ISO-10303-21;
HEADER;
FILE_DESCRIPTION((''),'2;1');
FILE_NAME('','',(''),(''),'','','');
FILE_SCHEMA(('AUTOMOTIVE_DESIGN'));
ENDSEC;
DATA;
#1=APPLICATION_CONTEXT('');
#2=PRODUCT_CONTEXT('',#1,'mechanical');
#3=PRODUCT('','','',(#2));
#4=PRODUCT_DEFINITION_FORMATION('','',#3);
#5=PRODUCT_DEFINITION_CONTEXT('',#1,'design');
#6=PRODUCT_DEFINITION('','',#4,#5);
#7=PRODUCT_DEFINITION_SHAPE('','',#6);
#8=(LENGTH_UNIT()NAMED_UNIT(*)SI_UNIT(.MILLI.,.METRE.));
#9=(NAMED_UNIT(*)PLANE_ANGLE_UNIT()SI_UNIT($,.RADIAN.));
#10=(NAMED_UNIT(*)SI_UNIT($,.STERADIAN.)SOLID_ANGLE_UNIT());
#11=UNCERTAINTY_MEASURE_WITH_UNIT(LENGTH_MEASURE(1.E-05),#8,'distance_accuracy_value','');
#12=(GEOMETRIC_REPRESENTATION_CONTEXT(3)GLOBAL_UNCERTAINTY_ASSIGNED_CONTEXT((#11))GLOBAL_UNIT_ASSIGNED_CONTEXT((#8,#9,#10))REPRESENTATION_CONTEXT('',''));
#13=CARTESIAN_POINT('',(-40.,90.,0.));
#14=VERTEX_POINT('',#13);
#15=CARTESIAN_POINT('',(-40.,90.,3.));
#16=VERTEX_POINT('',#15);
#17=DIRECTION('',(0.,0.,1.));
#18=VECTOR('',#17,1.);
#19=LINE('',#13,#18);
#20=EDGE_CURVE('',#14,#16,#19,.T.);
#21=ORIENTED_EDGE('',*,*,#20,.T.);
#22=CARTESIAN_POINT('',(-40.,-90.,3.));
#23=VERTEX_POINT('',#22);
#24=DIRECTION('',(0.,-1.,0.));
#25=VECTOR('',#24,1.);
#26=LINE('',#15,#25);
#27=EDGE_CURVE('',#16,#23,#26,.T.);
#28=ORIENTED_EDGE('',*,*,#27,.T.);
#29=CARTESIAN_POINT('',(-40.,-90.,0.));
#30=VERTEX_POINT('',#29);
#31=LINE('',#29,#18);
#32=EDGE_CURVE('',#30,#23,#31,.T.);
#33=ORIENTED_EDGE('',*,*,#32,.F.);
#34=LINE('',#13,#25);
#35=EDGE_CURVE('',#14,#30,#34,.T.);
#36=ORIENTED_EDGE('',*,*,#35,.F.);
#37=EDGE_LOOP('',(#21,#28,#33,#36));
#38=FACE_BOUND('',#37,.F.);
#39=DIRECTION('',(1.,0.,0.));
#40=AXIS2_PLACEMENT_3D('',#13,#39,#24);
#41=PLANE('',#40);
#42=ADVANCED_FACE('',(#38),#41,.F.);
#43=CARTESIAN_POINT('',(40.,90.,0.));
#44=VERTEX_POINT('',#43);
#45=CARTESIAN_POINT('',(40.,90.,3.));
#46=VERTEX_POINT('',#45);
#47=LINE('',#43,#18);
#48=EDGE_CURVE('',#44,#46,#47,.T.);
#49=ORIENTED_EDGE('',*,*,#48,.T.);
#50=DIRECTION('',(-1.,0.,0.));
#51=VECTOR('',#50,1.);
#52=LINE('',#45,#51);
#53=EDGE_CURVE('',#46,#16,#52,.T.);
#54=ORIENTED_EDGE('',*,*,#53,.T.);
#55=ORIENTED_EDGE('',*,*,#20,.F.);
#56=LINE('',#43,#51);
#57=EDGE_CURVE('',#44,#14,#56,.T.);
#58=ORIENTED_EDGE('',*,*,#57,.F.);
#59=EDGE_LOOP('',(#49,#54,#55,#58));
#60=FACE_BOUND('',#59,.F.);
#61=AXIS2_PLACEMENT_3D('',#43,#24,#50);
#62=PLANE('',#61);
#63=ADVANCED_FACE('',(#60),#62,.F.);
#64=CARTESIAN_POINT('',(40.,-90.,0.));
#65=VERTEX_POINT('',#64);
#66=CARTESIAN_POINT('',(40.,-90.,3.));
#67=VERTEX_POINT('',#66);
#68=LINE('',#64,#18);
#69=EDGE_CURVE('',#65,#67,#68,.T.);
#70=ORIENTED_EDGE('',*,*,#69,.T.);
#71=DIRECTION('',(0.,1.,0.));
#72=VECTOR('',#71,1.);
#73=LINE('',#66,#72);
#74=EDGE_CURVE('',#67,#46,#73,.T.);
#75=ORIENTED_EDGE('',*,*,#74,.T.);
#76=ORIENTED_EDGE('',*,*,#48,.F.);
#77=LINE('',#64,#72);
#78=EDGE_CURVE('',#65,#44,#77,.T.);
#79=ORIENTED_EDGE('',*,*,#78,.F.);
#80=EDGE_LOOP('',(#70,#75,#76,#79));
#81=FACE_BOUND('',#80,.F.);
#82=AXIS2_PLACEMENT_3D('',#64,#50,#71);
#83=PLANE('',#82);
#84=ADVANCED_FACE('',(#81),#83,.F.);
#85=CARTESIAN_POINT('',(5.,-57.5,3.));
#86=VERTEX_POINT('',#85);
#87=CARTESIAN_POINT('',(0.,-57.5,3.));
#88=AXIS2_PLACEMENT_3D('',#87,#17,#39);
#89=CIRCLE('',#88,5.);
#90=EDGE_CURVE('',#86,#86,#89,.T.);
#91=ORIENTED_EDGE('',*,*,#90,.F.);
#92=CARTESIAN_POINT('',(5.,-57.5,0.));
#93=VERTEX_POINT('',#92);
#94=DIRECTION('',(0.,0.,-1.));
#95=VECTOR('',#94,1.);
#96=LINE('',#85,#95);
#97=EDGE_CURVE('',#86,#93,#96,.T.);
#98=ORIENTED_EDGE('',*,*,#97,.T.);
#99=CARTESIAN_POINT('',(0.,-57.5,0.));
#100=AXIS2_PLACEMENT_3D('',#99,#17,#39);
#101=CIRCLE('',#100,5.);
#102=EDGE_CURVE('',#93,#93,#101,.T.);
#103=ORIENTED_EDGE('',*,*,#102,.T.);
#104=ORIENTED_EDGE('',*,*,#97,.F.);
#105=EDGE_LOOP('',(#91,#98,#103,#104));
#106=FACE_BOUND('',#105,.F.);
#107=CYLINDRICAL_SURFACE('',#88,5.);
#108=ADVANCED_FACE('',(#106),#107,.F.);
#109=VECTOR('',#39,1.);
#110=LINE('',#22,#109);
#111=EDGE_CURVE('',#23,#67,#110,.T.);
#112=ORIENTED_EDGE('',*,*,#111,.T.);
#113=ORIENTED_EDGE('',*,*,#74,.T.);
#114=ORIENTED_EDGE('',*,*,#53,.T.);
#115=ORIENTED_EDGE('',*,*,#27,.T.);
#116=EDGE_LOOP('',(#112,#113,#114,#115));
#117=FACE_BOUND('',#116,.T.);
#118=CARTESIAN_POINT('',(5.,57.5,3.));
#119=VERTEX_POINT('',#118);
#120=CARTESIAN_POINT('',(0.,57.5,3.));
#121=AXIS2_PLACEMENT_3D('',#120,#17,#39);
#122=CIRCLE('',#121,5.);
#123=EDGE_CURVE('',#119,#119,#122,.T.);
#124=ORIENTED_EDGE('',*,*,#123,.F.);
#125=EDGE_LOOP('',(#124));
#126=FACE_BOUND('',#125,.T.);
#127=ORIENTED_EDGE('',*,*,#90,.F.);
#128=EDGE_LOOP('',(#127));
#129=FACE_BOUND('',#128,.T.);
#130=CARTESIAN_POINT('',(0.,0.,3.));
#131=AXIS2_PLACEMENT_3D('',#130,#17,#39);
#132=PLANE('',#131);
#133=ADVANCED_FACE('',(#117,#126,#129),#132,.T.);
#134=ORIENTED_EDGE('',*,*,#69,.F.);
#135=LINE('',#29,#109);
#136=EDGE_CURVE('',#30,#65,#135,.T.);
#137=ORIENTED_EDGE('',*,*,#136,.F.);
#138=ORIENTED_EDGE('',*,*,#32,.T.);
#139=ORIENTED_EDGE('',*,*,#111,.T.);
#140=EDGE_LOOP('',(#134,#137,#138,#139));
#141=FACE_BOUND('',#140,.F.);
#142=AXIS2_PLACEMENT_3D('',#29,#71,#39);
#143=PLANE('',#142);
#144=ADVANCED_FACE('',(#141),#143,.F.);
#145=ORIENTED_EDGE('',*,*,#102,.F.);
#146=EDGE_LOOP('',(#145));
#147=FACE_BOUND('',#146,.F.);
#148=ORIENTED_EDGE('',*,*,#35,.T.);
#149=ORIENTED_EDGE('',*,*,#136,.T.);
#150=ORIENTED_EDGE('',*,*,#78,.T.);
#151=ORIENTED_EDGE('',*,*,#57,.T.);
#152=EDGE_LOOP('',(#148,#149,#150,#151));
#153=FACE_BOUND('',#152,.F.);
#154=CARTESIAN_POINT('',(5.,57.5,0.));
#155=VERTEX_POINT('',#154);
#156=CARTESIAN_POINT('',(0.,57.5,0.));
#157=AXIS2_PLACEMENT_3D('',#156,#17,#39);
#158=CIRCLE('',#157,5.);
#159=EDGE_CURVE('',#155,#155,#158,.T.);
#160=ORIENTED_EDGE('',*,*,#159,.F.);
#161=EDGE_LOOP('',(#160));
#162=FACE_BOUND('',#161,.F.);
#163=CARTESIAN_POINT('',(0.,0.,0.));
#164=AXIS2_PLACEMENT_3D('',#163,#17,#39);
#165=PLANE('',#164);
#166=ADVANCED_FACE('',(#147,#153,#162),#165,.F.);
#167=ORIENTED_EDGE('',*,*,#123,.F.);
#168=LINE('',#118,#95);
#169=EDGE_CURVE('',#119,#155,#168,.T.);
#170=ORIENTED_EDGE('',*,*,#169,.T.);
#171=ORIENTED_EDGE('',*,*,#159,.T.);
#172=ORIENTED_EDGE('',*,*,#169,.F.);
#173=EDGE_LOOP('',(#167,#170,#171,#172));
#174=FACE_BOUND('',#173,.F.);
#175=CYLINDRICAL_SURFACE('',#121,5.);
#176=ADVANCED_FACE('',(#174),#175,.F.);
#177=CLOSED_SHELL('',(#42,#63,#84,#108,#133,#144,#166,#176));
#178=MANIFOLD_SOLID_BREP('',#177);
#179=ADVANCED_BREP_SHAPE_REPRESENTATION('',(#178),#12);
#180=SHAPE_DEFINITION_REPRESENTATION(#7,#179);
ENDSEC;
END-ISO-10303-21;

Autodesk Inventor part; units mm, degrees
ref_plane "YZ Plane" through (0, 0, 0) normal (1, 0, 0) x (0, 1, 0)
ref_plane "XZ Plane" through (0, 0, 0) normal (0, 1, 0) x (-1, 0, 0)
ref_plane "XY Plane" through (0, 0, 0) normal (0, 0, 1) x (1, 0, 0)
sketch "Sketch1" plane through (0, 0, 0) normal (0, 0, 1) x (1, 0, 0)
  line L0 (-40, -90) -> (40, -90)
  line L1 (40, -90) -> (40, 90)
  line L2 (40, 90) -> (-40, 90)
  line L3 (-40, 90) -> (-40, -90)
  line L4 (-40, -90) -> (40, 90) construction
  line L5 (40, -90) -> (-40, 90) construction
  point P0 (0, 0)
  dimension "d154" = 80
  dimension "d155" = 180
extrude "Plate5" add sketch "Sketch1" along normal blind 3
sketch "Sketch7" plane through (0, 0, 3) normal (0, 0, 1) x (1, 0, 0)
  circle A0 centre (0, -57.5) radius 5
  circle A1 centre (0, 57.5) radius 5
  line L0 (0, 0) -> (-40, 0) construction
  line L1 (-40, 90) -> (-40, -90) construction
  dimension "d157" = 115
  dimension "d158" = 10
extrude "Cut1" cut sketch "Sketch7" against normal blind 3
properties part number "PNS 2114 cyclone plate" material "Stainless Steel"
